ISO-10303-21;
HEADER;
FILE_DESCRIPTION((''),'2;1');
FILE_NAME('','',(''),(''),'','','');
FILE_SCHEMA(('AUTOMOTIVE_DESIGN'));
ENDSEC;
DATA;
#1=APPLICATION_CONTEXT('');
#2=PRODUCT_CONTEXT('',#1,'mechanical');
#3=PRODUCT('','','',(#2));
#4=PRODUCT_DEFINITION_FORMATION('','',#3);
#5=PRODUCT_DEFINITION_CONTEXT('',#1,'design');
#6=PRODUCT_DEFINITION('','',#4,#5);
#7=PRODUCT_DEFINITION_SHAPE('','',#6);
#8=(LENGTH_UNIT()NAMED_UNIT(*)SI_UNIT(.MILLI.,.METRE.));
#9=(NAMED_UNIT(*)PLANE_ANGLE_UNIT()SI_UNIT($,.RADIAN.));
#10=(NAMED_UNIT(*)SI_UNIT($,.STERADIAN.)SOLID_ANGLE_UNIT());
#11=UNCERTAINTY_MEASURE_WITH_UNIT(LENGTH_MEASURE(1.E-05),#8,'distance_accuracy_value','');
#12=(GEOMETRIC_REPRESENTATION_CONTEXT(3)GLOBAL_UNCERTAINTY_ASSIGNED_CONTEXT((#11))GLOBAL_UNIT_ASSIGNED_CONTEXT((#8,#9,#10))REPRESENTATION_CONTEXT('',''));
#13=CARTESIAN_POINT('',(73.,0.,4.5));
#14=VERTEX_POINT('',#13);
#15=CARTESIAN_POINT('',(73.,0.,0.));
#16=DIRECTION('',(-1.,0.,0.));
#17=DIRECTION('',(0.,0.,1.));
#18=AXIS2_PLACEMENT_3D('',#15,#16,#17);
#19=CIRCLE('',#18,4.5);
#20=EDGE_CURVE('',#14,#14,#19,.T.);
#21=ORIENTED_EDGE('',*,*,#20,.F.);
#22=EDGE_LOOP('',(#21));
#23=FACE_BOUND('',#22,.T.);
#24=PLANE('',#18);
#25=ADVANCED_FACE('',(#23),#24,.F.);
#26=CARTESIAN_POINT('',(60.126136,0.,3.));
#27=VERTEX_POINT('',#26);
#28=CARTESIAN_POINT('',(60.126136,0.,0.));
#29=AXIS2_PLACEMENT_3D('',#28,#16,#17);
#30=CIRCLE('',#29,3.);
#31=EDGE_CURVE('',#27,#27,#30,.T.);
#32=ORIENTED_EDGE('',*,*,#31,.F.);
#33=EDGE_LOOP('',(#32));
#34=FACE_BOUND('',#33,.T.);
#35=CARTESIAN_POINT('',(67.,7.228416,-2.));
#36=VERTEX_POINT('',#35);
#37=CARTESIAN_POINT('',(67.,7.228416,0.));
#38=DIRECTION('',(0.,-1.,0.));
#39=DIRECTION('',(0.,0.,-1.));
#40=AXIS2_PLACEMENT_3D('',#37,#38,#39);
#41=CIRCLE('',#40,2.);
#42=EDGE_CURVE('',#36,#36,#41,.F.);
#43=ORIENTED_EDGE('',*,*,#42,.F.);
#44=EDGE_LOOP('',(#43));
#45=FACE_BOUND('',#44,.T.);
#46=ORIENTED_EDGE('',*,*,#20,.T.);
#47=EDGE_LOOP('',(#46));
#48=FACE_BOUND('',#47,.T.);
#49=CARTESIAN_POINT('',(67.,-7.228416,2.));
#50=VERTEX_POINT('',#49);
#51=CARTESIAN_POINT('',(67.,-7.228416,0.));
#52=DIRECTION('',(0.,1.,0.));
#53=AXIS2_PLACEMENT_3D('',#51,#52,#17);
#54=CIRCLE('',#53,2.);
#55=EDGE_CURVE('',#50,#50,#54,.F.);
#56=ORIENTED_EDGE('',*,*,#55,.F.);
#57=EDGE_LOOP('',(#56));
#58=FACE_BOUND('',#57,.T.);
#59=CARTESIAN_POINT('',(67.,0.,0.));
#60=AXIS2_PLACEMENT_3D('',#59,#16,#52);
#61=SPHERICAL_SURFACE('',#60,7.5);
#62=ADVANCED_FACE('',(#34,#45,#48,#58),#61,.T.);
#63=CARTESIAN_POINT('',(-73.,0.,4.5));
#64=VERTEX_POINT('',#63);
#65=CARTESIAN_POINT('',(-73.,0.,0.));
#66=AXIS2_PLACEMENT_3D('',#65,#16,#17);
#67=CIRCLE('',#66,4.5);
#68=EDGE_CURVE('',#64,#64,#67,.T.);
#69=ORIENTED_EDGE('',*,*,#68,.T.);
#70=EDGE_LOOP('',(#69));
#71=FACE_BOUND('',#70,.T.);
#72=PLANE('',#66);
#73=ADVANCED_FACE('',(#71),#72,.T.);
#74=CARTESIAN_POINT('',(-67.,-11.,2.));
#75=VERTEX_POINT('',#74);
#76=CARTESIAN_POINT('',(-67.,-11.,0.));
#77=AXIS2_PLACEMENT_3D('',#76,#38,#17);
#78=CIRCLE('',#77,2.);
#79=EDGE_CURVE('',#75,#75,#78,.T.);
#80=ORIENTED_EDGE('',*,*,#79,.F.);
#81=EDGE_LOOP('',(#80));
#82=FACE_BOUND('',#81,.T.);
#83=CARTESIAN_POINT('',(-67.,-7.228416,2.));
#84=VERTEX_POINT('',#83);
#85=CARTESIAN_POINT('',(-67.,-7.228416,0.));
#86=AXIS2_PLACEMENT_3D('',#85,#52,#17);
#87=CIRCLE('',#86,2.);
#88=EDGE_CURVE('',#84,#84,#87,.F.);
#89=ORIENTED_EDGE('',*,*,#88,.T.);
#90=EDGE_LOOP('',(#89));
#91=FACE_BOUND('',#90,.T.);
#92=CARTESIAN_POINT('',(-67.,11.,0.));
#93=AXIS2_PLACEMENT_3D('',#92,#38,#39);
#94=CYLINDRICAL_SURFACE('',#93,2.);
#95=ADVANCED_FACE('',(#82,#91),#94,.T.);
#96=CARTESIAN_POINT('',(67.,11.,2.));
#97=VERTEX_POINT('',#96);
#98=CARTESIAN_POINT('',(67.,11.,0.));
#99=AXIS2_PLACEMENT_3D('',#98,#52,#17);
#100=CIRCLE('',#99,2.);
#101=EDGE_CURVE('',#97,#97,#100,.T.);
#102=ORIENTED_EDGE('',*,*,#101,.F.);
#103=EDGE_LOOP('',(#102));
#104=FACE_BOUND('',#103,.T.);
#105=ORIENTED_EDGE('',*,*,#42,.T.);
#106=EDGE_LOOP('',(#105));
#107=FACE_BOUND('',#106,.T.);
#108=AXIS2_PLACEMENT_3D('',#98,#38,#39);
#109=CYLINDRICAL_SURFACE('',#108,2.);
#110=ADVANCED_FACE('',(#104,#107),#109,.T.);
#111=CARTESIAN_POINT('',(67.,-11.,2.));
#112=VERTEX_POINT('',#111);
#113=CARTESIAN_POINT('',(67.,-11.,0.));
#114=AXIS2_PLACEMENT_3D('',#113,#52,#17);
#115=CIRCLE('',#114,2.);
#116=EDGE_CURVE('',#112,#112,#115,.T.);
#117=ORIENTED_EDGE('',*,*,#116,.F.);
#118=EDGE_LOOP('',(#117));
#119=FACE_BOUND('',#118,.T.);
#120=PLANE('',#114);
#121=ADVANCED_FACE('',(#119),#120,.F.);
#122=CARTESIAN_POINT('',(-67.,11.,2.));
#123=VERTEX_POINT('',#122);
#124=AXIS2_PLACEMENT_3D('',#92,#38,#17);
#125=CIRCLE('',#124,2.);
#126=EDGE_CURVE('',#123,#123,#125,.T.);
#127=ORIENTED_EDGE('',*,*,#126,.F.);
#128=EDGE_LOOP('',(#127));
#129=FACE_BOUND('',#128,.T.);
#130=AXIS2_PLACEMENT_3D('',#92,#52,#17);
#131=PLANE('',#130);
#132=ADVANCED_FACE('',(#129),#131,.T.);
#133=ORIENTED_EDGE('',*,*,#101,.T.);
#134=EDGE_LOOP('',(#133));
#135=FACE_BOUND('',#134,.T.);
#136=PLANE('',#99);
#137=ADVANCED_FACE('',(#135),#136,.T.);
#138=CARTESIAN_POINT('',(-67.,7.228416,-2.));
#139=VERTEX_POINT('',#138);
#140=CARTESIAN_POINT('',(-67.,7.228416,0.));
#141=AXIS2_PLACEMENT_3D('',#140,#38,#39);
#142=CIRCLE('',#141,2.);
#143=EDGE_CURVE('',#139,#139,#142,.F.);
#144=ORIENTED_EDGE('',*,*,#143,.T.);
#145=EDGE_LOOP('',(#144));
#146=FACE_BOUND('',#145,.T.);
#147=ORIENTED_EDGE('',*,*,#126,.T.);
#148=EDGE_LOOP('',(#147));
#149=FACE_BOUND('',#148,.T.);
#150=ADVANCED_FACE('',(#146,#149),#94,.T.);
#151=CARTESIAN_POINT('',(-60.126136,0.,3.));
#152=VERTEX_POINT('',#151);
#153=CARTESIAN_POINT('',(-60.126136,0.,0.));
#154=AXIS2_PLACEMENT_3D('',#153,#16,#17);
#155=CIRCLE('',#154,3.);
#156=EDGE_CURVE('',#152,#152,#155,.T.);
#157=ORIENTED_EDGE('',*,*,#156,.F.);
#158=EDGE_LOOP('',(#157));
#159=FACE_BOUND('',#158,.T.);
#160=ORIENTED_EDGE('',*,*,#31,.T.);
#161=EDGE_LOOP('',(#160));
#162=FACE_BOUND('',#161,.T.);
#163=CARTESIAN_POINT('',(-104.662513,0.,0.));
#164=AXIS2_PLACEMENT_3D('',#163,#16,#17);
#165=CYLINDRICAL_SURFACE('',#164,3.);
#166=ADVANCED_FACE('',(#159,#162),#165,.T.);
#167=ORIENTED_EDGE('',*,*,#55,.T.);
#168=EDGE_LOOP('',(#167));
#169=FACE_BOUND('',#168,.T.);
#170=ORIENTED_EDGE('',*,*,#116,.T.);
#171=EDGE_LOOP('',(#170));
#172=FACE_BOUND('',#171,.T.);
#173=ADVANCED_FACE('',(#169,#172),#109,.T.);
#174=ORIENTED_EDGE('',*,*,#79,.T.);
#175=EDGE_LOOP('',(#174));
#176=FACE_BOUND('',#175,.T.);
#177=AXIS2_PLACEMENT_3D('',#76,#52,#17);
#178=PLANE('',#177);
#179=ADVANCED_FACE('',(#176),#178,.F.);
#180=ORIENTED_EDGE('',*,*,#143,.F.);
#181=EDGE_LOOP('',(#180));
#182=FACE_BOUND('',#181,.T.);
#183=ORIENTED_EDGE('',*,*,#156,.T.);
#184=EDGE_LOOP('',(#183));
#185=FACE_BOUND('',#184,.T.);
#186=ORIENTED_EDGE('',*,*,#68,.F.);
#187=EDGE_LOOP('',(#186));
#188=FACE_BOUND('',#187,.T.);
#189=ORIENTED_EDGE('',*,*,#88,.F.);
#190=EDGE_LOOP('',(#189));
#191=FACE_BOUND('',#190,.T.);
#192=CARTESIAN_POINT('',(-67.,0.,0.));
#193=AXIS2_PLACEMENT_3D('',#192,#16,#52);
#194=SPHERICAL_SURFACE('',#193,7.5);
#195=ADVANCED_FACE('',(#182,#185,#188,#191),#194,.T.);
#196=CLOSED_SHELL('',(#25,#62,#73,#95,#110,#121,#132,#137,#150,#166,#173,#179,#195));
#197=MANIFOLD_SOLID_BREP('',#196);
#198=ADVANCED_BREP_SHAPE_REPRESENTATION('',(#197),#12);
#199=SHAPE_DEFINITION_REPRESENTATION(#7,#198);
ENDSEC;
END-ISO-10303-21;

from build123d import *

# Parameters (mm, degrees)
SKETCH_2_R      = 2
EXTRUDE_1_DEPTH = 11


with BuildPart() as part:
    # 草图1 → 旋转1 (revolve)
    with BuildSketch(Plane.XY):
        with BuildLine():
            Line((73, 0), (73, 4.5))
            ThreePointArc((73, 4.5), (66.132008426, 7.449603387), (60.126136458, 3))
            Line((60.126136458, 3), (-60.126136458, 3))
            ThreePointArc((-60.126136458, 3), (-66.132008426, 7.449603387), (-73, 4.5))
            Line((-73, 4.5), (-73, 0))
            Line((-73, 0), (73, 0))
        make_face()
    revolve(axis=Axis((-104.662512522, 0, 0), (1, 0, 0)))

    # 草图2 → 凸台-拉伸1 (add, symmetric)
    with BuildSketch(Plane(origin=(0, 0, 0), x_dir=(1, 0, 0), z_dir=(0, 1, 0))):
        with Locations(Location((67, 0, 0), (0, 0, 90))):
            Circle(SKETCH_2_R)
    extrude_1 = extrude(amount=EXTRUDE_1_DEPTH, both=True)

    # 镜向1: 凸台-拉伸1 across plane
    add(extrude_1.mirror(Plane(origin=(0, 0, 0), x_dir=(0, 0, 1), z_dir=(1, 0, 0))))


solid = part.part
